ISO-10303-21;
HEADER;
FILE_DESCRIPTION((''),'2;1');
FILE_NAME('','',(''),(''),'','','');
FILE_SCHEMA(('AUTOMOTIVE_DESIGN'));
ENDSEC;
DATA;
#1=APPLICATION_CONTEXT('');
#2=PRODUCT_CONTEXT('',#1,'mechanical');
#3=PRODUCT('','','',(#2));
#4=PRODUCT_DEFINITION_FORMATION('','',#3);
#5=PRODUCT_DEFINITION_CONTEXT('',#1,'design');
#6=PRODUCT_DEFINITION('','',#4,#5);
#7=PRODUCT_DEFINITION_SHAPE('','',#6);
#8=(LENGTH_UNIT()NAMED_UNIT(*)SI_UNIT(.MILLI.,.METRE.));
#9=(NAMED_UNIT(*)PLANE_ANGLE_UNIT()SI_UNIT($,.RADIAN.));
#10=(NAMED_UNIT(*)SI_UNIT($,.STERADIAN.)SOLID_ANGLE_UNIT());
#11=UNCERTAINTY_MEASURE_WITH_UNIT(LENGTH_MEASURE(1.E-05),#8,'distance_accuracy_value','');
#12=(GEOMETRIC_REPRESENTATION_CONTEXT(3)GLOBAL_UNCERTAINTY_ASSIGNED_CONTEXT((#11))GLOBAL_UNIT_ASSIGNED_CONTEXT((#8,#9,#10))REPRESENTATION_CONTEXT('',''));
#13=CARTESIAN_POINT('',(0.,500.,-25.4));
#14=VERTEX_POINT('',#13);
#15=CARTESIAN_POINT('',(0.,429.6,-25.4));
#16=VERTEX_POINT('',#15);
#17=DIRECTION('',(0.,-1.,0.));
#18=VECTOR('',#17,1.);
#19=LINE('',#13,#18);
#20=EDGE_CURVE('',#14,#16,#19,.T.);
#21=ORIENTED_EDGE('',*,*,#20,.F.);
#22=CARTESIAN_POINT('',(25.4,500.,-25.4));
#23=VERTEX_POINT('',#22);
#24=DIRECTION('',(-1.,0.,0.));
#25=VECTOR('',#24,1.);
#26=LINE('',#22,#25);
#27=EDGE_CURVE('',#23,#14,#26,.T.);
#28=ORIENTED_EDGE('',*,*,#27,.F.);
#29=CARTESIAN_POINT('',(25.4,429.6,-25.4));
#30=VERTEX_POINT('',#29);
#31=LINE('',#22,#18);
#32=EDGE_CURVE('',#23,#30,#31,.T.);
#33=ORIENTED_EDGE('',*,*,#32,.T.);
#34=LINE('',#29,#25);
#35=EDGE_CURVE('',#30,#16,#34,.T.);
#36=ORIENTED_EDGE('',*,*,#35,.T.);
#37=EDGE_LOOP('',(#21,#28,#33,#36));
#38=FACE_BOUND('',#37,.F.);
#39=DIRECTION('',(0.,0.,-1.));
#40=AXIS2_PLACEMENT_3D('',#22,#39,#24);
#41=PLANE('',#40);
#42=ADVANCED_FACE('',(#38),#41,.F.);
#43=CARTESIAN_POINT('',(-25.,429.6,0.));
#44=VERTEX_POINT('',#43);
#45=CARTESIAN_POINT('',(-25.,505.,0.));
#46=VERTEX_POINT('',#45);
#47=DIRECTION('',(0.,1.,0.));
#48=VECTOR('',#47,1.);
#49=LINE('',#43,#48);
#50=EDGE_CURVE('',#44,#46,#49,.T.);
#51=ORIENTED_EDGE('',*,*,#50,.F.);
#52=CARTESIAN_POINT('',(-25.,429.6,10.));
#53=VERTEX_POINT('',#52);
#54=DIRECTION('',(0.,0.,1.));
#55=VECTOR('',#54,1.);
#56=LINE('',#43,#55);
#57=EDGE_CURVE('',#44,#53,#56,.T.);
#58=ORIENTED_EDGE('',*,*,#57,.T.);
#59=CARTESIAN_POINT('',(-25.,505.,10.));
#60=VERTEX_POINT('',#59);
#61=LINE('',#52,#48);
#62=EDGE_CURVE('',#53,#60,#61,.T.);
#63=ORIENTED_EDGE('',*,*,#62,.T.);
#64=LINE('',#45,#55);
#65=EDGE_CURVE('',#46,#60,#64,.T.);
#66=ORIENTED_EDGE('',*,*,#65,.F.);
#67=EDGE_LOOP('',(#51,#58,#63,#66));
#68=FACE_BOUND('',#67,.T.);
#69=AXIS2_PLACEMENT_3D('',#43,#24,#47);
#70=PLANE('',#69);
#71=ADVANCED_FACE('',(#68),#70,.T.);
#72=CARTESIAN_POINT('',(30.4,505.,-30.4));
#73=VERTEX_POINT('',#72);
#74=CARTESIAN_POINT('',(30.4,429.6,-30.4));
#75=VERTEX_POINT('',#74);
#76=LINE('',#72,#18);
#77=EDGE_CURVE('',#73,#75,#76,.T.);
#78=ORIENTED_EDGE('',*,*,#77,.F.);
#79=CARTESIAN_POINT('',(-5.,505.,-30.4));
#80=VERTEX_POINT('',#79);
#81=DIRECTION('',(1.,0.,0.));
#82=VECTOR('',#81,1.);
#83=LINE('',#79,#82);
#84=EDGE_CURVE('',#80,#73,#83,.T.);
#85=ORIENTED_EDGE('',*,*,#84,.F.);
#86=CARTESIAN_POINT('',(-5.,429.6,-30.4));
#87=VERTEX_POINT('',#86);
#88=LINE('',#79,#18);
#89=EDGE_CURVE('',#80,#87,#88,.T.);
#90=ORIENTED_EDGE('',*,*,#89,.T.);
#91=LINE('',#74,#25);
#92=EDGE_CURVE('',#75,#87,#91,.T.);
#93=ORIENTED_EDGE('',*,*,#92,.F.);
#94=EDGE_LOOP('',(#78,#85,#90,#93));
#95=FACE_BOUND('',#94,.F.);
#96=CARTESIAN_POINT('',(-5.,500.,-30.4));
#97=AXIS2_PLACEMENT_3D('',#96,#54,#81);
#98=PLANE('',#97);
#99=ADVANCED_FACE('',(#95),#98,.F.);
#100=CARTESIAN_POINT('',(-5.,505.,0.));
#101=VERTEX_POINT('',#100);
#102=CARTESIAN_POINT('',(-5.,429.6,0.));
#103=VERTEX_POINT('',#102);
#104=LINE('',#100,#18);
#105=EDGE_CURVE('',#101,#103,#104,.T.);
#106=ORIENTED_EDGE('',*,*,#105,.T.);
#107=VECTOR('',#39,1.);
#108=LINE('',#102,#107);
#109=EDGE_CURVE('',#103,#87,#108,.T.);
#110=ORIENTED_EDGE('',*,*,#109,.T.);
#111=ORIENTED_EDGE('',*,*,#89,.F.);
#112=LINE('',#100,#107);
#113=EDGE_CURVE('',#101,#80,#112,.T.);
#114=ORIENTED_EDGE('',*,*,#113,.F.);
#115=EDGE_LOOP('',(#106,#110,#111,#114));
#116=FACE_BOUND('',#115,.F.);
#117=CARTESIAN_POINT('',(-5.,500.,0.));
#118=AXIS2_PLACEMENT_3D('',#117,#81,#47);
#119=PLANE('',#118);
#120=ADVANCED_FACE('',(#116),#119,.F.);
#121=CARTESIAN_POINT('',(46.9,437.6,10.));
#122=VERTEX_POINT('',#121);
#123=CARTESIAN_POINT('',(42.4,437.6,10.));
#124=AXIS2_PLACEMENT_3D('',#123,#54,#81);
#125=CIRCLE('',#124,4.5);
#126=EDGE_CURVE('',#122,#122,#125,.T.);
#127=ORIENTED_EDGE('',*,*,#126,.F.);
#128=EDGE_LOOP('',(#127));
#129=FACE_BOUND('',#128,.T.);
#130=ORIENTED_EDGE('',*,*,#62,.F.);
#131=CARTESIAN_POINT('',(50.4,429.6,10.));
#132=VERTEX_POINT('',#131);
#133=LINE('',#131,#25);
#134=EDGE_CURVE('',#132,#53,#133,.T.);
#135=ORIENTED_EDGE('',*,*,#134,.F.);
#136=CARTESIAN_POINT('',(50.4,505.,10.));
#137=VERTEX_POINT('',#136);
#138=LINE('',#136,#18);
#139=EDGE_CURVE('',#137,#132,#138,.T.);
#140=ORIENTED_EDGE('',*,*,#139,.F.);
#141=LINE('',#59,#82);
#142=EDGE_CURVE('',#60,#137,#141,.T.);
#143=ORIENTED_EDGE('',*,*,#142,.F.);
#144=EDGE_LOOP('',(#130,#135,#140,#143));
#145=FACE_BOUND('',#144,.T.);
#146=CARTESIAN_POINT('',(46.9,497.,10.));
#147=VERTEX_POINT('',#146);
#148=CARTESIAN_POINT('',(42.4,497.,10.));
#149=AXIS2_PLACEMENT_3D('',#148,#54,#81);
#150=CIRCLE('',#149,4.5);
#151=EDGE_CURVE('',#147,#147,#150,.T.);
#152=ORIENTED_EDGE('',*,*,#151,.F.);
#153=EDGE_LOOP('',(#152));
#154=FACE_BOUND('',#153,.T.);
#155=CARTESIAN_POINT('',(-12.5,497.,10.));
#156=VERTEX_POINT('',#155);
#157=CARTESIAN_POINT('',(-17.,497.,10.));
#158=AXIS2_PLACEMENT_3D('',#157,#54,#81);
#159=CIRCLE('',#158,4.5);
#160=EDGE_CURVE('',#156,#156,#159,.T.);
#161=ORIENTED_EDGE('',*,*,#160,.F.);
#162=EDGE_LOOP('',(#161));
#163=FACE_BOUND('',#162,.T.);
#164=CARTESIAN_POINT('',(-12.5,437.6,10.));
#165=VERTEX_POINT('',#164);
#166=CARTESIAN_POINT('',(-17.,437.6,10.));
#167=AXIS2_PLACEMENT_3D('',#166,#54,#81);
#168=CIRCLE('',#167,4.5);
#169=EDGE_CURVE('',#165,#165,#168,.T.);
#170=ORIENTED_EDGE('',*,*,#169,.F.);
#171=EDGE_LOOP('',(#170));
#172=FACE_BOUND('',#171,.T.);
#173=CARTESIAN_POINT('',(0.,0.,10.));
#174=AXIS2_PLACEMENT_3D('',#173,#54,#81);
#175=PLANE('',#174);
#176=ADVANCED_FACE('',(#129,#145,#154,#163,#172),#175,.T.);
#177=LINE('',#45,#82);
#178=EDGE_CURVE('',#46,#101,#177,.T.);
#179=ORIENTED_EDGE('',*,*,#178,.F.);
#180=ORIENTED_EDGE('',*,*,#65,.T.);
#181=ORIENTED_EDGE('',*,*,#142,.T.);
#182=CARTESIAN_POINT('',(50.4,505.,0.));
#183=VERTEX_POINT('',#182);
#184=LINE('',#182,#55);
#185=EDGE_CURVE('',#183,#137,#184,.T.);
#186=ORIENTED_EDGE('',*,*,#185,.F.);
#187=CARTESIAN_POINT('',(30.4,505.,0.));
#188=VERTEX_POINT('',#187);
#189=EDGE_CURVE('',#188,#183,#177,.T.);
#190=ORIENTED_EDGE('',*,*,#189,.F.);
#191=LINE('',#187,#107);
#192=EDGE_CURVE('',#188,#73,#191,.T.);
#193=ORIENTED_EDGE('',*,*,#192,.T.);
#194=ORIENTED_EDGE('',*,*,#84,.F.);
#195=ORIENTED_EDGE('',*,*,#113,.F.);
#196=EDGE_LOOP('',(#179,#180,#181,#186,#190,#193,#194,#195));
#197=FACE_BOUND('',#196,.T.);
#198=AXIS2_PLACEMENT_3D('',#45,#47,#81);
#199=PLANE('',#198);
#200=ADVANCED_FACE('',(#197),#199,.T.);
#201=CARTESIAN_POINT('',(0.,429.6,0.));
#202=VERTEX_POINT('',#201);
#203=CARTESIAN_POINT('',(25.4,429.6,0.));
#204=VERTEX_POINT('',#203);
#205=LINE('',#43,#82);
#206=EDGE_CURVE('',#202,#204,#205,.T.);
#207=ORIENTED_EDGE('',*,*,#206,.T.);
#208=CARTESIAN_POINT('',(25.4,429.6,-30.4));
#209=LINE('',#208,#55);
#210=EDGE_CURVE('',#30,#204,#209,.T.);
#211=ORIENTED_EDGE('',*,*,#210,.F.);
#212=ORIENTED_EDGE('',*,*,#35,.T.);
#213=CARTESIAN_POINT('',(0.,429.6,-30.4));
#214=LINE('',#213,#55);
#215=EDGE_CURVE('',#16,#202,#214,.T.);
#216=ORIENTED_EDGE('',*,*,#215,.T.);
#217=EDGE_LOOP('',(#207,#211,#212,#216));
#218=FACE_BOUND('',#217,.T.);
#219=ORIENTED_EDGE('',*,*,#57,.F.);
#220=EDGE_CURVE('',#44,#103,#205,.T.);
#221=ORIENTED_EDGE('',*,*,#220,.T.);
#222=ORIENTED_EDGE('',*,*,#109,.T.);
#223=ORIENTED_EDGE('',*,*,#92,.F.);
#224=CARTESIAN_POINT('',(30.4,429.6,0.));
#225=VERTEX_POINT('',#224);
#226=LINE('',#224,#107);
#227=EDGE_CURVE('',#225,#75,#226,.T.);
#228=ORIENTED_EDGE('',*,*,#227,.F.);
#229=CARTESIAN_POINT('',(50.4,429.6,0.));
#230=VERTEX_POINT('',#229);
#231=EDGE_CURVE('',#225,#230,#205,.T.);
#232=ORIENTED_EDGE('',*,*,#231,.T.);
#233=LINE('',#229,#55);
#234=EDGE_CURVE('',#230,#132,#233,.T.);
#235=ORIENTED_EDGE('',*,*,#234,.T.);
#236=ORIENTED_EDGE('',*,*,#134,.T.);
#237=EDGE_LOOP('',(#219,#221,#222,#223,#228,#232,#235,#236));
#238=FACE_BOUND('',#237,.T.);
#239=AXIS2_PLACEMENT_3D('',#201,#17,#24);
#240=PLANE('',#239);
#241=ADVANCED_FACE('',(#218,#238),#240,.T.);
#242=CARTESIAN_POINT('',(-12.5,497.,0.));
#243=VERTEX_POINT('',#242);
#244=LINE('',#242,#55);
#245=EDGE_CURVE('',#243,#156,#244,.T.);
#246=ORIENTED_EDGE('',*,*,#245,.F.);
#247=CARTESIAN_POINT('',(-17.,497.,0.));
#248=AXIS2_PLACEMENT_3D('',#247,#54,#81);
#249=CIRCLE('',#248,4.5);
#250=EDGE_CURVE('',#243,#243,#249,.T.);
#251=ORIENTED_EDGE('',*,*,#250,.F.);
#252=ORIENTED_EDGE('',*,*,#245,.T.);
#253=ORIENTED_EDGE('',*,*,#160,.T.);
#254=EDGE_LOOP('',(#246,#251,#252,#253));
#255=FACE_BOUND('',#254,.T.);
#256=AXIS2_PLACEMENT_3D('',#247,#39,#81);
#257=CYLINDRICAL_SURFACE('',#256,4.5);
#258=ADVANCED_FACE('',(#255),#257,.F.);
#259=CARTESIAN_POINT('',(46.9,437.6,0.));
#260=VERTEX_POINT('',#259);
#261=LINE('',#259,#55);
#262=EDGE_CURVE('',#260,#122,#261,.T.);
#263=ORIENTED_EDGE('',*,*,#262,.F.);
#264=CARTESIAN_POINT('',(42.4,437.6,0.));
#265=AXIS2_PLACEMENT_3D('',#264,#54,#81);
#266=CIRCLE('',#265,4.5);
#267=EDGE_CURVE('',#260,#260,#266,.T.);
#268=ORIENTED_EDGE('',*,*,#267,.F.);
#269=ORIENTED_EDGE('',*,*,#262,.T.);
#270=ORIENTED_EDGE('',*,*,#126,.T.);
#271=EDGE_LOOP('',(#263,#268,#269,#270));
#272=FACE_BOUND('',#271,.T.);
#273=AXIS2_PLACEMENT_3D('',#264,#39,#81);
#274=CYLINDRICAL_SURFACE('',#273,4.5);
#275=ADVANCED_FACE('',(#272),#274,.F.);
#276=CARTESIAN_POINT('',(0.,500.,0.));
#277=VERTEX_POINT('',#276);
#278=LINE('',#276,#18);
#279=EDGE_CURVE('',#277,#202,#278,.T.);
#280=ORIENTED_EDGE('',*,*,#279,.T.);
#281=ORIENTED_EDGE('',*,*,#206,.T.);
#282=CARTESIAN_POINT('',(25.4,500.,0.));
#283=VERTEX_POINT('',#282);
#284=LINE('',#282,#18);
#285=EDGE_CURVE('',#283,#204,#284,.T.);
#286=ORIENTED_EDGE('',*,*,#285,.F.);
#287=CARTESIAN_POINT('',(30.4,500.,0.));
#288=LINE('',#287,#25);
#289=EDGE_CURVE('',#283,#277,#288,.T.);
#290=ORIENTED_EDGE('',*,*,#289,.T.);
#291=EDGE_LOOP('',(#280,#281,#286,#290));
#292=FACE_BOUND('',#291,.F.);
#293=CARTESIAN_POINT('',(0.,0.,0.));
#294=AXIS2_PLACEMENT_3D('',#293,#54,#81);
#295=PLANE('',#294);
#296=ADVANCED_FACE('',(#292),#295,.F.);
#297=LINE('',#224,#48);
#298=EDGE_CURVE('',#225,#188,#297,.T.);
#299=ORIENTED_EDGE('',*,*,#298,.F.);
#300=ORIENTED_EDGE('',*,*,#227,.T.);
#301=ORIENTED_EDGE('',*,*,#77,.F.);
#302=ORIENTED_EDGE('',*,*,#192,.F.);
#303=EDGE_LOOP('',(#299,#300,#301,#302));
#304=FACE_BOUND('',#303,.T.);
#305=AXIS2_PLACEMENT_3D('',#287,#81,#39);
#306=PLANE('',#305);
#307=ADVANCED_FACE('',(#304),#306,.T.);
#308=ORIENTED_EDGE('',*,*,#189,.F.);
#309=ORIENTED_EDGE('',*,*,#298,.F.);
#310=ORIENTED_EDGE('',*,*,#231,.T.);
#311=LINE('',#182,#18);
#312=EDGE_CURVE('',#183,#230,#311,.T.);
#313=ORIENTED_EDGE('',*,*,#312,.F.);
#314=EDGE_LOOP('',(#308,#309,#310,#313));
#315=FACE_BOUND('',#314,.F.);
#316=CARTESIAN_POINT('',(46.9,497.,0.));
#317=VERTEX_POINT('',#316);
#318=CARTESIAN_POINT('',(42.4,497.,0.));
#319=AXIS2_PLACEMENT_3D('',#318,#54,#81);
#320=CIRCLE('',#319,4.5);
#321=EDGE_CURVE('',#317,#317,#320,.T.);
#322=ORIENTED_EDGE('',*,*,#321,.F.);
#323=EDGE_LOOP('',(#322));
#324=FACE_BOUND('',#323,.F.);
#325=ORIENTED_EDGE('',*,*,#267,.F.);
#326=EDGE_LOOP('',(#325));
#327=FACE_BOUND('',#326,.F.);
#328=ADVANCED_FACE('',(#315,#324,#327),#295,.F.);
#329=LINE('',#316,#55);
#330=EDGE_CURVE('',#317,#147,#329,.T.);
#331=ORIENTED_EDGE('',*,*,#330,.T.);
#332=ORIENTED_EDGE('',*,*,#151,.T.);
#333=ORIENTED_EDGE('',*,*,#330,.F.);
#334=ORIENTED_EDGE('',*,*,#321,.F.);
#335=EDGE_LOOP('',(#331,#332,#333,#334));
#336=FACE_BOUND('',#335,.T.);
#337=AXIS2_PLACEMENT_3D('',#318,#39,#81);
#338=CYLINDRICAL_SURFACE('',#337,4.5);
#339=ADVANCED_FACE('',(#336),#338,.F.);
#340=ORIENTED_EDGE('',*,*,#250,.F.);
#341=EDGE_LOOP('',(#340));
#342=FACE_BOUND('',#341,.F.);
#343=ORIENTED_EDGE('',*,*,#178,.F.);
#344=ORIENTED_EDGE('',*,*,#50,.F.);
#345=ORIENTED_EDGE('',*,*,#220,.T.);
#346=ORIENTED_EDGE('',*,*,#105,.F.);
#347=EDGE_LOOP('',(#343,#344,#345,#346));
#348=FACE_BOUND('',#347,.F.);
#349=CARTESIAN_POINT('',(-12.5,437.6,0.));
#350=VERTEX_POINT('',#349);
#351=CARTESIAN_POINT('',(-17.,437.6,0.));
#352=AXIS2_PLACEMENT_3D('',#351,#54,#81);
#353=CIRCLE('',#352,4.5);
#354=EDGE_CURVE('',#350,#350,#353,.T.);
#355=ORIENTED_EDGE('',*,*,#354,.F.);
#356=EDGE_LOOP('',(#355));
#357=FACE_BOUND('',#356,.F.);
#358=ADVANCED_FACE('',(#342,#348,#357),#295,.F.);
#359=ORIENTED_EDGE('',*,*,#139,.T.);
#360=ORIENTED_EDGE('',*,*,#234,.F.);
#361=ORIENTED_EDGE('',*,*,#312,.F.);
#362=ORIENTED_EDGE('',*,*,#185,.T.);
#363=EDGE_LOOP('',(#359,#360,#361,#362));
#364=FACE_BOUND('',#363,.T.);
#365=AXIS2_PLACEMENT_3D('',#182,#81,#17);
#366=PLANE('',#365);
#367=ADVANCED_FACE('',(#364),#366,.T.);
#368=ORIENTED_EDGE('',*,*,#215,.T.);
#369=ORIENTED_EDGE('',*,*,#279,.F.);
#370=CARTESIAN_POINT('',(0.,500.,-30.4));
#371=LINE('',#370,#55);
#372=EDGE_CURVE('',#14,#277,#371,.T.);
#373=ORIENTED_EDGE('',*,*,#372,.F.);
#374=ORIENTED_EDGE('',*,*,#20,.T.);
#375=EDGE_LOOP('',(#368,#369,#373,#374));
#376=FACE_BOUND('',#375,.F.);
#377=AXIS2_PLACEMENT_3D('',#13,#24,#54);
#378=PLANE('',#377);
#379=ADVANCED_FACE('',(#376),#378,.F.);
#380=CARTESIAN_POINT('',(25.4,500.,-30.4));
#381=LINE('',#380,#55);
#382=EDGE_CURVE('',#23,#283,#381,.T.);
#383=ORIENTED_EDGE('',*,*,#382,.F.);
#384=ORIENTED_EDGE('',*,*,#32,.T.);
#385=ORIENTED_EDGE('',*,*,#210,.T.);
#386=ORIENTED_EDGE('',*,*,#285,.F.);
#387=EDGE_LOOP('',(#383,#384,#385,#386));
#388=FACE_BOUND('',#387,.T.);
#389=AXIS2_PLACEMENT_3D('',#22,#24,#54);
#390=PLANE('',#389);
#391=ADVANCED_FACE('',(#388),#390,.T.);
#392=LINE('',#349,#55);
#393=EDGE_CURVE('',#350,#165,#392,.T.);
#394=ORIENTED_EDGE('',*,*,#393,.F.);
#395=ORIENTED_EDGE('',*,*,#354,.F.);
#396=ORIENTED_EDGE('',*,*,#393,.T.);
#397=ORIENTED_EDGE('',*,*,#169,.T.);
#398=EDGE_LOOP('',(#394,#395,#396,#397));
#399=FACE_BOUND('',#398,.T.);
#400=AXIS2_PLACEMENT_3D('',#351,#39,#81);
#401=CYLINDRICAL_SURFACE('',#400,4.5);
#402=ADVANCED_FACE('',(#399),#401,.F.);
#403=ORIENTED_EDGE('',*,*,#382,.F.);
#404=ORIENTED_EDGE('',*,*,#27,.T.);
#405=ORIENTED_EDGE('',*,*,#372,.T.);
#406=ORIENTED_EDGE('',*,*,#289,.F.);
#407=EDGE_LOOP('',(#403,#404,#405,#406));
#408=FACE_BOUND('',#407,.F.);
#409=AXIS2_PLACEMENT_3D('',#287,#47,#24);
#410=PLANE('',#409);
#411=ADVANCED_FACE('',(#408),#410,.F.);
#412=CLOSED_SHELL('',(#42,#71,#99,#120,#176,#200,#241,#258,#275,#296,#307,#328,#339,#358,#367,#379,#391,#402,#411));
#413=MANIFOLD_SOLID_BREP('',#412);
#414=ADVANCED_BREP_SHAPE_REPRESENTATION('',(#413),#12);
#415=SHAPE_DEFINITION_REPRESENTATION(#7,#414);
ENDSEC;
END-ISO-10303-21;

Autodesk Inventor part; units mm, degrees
ref_plane "YZ Plane" through (0, 0, 0) normal (1, 0, 0) x (0, 1, 0)
ref_plane "XZ Plane" through (0, 0, 0) normal (0, 1, 0) x (-1, 0, 0)
ref_plane "XY Plane" through (0, 0, 0) normal (0, 0, 1) x (1, 0, 0)
sketch "Sketch1" plane through (0, 0, 0) normal (0, 0, 1) x (1, 0, 0)
  line L0 (0, 0) -> (25.4, 0) projected
  line L1 (25.4, 0) -> (25.4, 500) projected
  line L2 (0, 500) -> (25.4, 500) projected
  line L3 (0, 0) -> (0, 500) projected
  line L4 (115.4, 0) -> (140.8, 0) projected
  line L5 (140.8, 0) -> (140.8, 500) projected
  line L6 (115.4, 500) -> (140.8, 500) projected
  line L7 (115.4, 0) -> (115.4, 500) projected
  line L8 (-25, 505) -> (50.4, 505)
  line L9 (50.4, 505) -> (50.4, 429.6)
  line L10 (50.4, 429.6) -> (-25, 429.6)
  line L11 (-25, 429.6) -> (-25, 505)
  circle A0 centre (-17, 437.6) radius 4.5
  circle A1 centre (-17, 497) radius 4.5
  circle A2 centre (42.4, 497) radius 4.5
  circle A3 centre (42.4, 437.6) radius 4.5
  dimension "d0" = 25
  dimension "d31" = 25
  dimension "d32" = 5
  dimension "d33" = 9
  dimension "d34" = 9
  dimension "d35" = 9
  dimension "d36" = 9
  dimension "d37" = 8
  dimension "d38" = 8
  dimension "d39" = 8
  dimension "d40" = 8
  dimension "d41" = 8
  dimension "d42" = 8
  dimension "d43" = 8
  dimension "d44" = 8
extrude "Extrusion1" add sketch "Sketch1" along normal blind 10 contours L10 L11 L8 L9 L1 L2 L3 | L3 L2 L1 L10
sketch "Sketch3" plane through (0, 0, 0) normal (0, 0, -1) x (-1, 0, 0)
  line L0 (5, 505) -> (-30.4, 505)
  line L1 (-30.4, 505) -> (-30.4, 500)
  line L2 (-30.4, 500) -> (5, 500)
  line L3 (5, 500) -> (5, 505)
  line L4 (25, 505) -> (-50.4, 505) projected
  line L5 (25, 429.6) -> (25, 505) projected
  point P0 (0, 0)
  dimension "d45" = 35.4
  dimension "d46" = 20
  dimension "d47" = 5
extrude "Extrusion2" add sketch "Sketch3" along normal blind 30.4
sketch "Sketch5" plane through (-5, 500, 0) normal (0, -1, 0) x (1, 0, 0)
  line L0 (0, -30.4) -> (5, -30.4)
  line L1 (5, -30.4) -> (5, 0)
  line L2 (5, 0) -> (0, 0)
  line L3 (0, 0) -> (0, -30.4)
  line L4 (5, -30.4) -> (30.4, -30.4)
  line L5 (30.4, -30.4) -> (30.4, -25.4)
  line L6 (30.4, -25.4) -> (5, -25.4)
  line L7 (5, -25.4) -> (5, -30.4)
  line L8 (35.4, -30.4) -> (30.4, -30.4)
  line L9 (30.4, -30.4) -> (30.4, 0)
  line L10 (30.4, 0) -> (35.4, 0)
  line L11 (35.4, 0) -> (35.4, -30.4)
  line L12 (55.4, 0) -> (-20, 0) projected
  line L13 (35.4, -30.4) -> (0, -30.4) projected
  line L14 (0, 0) -> (0, -30.4) projected
  line L15 (35.4, 0) -> (35.4, -30.4) projected
  point P0 (5, 0)
  dimension "d48" = 5
  dimension "d49" = 25.4
  dimension "d50" = 25.4
extrude "Extrusion4" add sketch "Sketch5" along normal up to surface (70.4 mm away) contours L3 L2 L1 L0 | L1 L6 L5 L4 | L5 L9 L10 L11 L8
properties part number "CornerBracket" material "PC/ABS Plastic"
